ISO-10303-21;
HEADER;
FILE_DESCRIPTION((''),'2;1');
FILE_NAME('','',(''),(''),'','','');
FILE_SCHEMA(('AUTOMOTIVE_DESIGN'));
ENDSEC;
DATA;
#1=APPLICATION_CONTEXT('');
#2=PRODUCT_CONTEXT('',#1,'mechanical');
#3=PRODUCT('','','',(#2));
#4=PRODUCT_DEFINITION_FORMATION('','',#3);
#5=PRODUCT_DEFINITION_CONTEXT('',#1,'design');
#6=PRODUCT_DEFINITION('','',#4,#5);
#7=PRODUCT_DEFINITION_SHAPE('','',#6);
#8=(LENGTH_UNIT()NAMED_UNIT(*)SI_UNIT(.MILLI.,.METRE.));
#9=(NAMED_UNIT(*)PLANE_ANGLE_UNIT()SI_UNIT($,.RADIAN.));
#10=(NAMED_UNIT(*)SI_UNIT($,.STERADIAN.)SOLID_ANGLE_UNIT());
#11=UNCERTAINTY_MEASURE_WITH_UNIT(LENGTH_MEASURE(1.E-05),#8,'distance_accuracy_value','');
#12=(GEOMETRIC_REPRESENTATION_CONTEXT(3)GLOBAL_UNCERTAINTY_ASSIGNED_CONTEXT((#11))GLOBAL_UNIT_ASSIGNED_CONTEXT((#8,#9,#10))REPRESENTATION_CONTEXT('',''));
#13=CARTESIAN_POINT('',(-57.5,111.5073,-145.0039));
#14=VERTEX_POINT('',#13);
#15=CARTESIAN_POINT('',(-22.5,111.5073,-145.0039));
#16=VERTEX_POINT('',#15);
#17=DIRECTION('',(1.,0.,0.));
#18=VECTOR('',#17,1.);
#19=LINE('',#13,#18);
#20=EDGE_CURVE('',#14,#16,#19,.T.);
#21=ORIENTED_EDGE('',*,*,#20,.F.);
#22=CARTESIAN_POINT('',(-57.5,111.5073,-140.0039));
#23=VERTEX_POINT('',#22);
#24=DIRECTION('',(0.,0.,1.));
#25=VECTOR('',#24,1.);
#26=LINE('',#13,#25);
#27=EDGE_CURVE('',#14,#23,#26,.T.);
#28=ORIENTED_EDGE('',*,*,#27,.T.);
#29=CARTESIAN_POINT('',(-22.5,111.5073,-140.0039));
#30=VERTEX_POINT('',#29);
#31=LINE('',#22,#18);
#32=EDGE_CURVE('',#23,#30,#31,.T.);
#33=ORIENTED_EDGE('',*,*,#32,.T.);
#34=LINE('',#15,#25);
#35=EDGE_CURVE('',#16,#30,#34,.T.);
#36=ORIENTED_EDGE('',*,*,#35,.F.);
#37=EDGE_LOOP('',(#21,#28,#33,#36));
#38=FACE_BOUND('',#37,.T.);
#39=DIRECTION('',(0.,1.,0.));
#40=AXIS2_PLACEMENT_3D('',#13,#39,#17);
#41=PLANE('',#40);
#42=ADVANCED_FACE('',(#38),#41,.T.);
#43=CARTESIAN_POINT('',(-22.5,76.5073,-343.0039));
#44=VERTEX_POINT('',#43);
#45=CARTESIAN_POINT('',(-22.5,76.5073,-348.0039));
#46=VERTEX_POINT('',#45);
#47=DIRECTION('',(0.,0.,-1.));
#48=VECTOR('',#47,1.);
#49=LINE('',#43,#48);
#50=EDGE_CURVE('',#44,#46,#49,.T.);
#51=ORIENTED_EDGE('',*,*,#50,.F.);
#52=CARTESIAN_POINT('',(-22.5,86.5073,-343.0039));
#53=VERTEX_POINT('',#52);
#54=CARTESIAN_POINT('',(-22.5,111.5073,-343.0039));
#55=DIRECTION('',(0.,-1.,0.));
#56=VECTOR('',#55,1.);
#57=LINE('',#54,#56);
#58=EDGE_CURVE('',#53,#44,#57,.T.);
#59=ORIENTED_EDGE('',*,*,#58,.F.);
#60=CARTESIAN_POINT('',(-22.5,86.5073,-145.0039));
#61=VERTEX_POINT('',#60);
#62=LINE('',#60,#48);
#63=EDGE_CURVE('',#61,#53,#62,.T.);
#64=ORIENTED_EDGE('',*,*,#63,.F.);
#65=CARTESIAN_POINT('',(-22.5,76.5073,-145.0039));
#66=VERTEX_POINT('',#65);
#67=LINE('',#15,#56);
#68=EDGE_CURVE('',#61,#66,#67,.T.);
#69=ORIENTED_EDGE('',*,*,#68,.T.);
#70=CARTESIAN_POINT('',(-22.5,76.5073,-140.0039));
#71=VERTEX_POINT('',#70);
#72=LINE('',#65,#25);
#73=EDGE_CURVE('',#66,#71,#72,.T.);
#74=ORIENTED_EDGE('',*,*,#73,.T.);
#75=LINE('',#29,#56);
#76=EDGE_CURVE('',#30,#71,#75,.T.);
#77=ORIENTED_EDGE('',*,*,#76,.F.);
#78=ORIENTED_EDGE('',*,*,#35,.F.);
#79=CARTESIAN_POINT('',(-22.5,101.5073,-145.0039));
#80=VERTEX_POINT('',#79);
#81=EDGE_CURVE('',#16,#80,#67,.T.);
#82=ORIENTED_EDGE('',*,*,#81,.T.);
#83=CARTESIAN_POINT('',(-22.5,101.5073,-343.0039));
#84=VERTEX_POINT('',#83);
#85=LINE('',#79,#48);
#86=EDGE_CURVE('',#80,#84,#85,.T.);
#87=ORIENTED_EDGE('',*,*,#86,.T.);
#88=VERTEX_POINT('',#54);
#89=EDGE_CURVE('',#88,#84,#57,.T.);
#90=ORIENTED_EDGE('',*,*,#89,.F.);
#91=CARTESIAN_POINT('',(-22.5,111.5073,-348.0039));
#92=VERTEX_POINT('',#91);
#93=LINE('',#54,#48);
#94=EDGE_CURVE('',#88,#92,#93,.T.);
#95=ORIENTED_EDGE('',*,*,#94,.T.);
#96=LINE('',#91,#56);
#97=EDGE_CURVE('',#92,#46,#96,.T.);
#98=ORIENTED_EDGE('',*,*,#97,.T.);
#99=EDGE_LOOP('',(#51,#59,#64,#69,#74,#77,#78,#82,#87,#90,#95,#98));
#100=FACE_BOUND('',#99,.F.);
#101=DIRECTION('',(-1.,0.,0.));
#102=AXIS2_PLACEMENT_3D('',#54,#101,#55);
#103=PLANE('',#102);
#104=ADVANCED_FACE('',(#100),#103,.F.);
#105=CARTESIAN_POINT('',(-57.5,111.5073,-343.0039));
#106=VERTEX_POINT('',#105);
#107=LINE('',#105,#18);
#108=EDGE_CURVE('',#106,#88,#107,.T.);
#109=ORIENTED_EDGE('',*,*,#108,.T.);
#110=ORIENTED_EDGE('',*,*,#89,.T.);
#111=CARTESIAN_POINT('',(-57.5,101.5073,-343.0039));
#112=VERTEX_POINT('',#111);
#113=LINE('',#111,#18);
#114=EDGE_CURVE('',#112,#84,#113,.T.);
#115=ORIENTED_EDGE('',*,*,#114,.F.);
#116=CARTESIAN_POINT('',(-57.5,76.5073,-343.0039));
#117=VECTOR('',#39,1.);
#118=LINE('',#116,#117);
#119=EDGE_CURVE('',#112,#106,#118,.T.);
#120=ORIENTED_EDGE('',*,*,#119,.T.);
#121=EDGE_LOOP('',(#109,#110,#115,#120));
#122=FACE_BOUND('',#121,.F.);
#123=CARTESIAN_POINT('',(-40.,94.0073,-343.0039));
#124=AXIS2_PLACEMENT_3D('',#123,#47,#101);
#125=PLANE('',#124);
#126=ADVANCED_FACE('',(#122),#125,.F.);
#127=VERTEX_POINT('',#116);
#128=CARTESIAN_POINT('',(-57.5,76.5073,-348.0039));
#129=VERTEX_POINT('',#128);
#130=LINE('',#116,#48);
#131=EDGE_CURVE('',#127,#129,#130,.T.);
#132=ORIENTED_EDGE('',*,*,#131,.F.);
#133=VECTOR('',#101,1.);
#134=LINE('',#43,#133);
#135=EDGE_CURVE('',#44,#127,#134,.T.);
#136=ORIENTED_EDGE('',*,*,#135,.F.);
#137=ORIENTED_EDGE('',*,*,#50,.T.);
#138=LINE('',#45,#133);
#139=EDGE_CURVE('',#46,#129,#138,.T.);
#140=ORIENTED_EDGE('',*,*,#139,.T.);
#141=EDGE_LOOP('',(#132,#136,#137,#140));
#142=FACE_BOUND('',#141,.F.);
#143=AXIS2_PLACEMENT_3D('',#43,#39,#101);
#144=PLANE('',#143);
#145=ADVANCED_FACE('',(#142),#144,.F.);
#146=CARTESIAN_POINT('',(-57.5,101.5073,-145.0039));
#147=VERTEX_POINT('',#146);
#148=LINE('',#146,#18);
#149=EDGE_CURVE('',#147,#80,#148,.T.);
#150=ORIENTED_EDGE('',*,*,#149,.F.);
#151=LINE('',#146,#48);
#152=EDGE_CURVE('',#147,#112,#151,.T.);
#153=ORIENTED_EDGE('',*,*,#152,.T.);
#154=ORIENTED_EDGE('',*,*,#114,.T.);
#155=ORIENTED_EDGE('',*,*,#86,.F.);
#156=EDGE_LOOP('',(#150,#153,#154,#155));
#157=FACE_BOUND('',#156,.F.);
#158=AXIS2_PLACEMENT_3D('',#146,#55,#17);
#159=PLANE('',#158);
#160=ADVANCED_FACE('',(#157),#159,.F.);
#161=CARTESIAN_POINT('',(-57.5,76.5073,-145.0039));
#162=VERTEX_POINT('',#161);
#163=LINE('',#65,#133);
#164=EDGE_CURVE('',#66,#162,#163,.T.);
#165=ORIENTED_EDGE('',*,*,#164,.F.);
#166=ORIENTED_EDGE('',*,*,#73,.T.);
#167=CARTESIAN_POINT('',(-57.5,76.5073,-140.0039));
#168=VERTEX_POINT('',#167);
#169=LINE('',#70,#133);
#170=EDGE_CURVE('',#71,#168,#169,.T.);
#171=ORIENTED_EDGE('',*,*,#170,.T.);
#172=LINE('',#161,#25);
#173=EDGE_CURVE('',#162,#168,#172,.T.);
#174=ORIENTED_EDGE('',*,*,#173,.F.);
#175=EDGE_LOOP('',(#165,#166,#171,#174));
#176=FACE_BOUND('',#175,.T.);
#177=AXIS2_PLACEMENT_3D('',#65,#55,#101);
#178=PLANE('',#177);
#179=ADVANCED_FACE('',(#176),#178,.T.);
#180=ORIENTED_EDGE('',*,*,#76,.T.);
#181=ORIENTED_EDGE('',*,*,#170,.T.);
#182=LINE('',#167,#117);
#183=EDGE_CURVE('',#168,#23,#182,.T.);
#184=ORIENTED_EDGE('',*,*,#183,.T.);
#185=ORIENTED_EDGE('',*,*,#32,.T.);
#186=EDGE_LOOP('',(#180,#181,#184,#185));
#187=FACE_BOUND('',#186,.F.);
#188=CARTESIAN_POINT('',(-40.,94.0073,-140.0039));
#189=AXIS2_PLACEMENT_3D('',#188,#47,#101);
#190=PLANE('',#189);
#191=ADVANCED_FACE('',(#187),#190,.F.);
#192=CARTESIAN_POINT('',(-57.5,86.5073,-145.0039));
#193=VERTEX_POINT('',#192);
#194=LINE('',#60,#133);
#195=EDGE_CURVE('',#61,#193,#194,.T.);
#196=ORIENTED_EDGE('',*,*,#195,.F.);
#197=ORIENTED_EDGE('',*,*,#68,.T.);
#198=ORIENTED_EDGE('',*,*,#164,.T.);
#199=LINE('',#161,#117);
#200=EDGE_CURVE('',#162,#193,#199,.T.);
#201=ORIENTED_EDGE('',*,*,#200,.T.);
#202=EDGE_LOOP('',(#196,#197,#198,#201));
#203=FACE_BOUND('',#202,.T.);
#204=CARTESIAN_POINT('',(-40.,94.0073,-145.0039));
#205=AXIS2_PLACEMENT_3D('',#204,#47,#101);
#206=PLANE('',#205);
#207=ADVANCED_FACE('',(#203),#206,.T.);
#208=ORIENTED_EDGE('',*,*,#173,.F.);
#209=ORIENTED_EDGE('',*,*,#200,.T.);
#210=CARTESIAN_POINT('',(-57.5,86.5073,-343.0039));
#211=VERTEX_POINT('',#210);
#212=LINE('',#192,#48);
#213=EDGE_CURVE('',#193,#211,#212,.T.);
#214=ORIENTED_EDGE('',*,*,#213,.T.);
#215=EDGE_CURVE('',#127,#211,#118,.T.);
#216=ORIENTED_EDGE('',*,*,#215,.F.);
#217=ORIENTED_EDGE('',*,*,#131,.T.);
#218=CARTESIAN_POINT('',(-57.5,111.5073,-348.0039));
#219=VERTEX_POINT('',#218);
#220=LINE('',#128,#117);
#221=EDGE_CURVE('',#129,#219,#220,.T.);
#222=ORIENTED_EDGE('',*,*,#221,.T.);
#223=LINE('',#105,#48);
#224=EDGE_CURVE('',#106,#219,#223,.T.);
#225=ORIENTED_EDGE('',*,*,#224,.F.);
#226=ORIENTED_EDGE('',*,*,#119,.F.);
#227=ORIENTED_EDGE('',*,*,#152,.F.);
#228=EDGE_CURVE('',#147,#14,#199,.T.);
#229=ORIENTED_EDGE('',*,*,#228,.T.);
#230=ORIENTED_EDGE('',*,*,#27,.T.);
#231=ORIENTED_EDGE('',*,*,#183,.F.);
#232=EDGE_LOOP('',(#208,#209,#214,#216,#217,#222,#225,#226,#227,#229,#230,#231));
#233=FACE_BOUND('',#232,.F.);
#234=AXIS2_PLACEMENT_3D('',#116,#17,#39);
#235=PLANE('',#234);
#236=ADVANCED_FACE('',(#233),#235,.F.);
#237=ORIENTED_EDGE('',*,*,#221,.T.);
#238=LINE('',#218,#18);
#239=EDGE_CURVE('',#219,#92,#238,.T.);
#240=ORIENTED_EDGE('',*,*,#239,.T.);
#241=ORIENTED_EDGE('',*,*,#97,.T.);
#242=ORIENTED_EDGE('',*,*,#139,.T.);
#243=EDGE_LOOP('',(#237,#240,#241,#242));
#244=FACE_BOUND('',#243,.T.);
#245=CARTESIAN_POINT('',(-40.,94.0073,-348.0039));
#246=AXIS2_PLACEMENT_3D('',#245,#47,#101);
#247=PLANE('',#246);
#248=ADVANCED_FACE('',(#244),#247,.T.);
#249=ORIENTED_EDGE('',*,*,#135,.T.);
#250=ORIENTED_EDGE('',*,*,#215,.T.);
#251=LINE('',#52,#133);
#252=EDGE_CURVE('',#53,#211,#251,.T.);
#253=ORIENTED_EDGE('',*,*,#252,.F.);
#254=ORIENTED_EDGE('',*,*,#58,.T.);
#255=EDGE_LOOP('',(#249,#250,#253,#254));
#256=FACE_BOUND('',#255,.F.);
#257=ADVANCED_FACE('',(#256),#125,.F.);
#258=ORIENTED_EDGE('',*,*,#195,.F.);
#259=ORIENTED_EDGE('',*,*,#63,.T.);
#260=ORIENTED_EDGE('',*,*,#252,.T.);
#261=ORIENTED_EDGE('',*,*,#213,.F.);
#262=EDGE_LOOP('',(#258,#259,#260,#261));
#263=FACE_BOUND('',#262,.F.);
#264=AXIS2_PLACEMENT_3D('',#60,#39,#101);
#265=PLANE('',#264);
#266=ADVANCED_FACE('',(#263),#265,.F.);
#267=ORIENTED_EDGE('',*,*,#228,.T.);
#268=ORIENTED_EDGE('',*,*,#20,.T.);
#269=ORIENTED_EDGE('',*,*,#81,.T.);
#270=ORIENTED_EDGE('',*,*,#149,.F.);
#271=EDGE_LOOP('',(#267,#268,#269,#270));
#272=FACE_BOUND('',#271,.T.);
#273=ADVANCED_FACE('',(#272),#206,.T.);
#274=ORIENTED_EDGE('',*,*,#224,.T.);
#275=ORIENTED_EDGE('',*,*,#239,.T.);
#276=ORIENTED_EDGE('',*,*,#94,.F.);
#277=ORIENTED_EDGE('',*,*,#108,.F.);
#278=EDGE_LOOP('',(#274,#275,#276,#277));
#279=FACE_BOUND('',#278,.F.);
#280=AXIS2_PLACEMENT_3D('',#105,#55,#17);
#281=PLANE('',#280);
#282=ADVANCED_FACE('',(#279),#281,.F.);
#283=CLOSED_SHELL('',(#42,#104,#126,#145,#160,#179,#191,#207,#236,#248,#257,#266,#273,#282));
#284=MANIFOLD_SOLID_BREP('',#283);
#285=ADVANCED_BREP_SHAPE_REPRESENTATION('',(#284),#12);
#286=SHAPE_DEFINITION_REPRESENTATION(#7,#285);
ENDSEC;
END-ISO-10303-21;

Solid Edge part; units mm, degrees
sketch "Sketch1" plane through (0, 0, -145.0039) normal (0, 0, 1) x (1, 0, 0)
  line L0 (-22.5, 111.5073) -> (-22.5, 76.5073)
  line L1 (-22.5, 76.5073) -> (-57.5, 76.5073)
  line L2 (-57.5, 76.5073) -> (-57.5, 111.5073)
  line L3 (-57.5, 111.5073) -> (-22.5, 111.5073)
extrude "Protrusion1" add sketch "Sketch1" along normal blind 5
sketch "Sketch2" plane through (-40, 94.0073, -145.0039) normal (0, 0, -1) x (0, 1, 0)
  line L0 (-7.5, -17.5) -> (7.5, -17.5)
  line L1 (7.5, -17.5) -> (7.5, 17.5)
  line L2 (7.5, 17.5) -> (-7.5, 17.5)
  line L3 (-7.5, 17.5) -> (-7.5, -17.5)
extrude "Protrusion2" add sketch "Sketch2" along normal up to vertex (198 mm away)
sketch "Sketch3" plane through (-40, 94.0073, -343.0039) normal (0, 0, -1) x (0, 1, 0)
  line L0 (-17.5, 17.5) -> (-17.5, -17.5)
  line L1 (-17.5, -17.5) -> (17.5, -17.5)
  line L2 (17.5, -17.5) -> (17.5, 17.5)
  line L3 (17.5, 17.5) -> (-17.5, 17.5)
extrude "ExtrudedProtrusion_3" add sketch "Sketch3" along normal blind 5
